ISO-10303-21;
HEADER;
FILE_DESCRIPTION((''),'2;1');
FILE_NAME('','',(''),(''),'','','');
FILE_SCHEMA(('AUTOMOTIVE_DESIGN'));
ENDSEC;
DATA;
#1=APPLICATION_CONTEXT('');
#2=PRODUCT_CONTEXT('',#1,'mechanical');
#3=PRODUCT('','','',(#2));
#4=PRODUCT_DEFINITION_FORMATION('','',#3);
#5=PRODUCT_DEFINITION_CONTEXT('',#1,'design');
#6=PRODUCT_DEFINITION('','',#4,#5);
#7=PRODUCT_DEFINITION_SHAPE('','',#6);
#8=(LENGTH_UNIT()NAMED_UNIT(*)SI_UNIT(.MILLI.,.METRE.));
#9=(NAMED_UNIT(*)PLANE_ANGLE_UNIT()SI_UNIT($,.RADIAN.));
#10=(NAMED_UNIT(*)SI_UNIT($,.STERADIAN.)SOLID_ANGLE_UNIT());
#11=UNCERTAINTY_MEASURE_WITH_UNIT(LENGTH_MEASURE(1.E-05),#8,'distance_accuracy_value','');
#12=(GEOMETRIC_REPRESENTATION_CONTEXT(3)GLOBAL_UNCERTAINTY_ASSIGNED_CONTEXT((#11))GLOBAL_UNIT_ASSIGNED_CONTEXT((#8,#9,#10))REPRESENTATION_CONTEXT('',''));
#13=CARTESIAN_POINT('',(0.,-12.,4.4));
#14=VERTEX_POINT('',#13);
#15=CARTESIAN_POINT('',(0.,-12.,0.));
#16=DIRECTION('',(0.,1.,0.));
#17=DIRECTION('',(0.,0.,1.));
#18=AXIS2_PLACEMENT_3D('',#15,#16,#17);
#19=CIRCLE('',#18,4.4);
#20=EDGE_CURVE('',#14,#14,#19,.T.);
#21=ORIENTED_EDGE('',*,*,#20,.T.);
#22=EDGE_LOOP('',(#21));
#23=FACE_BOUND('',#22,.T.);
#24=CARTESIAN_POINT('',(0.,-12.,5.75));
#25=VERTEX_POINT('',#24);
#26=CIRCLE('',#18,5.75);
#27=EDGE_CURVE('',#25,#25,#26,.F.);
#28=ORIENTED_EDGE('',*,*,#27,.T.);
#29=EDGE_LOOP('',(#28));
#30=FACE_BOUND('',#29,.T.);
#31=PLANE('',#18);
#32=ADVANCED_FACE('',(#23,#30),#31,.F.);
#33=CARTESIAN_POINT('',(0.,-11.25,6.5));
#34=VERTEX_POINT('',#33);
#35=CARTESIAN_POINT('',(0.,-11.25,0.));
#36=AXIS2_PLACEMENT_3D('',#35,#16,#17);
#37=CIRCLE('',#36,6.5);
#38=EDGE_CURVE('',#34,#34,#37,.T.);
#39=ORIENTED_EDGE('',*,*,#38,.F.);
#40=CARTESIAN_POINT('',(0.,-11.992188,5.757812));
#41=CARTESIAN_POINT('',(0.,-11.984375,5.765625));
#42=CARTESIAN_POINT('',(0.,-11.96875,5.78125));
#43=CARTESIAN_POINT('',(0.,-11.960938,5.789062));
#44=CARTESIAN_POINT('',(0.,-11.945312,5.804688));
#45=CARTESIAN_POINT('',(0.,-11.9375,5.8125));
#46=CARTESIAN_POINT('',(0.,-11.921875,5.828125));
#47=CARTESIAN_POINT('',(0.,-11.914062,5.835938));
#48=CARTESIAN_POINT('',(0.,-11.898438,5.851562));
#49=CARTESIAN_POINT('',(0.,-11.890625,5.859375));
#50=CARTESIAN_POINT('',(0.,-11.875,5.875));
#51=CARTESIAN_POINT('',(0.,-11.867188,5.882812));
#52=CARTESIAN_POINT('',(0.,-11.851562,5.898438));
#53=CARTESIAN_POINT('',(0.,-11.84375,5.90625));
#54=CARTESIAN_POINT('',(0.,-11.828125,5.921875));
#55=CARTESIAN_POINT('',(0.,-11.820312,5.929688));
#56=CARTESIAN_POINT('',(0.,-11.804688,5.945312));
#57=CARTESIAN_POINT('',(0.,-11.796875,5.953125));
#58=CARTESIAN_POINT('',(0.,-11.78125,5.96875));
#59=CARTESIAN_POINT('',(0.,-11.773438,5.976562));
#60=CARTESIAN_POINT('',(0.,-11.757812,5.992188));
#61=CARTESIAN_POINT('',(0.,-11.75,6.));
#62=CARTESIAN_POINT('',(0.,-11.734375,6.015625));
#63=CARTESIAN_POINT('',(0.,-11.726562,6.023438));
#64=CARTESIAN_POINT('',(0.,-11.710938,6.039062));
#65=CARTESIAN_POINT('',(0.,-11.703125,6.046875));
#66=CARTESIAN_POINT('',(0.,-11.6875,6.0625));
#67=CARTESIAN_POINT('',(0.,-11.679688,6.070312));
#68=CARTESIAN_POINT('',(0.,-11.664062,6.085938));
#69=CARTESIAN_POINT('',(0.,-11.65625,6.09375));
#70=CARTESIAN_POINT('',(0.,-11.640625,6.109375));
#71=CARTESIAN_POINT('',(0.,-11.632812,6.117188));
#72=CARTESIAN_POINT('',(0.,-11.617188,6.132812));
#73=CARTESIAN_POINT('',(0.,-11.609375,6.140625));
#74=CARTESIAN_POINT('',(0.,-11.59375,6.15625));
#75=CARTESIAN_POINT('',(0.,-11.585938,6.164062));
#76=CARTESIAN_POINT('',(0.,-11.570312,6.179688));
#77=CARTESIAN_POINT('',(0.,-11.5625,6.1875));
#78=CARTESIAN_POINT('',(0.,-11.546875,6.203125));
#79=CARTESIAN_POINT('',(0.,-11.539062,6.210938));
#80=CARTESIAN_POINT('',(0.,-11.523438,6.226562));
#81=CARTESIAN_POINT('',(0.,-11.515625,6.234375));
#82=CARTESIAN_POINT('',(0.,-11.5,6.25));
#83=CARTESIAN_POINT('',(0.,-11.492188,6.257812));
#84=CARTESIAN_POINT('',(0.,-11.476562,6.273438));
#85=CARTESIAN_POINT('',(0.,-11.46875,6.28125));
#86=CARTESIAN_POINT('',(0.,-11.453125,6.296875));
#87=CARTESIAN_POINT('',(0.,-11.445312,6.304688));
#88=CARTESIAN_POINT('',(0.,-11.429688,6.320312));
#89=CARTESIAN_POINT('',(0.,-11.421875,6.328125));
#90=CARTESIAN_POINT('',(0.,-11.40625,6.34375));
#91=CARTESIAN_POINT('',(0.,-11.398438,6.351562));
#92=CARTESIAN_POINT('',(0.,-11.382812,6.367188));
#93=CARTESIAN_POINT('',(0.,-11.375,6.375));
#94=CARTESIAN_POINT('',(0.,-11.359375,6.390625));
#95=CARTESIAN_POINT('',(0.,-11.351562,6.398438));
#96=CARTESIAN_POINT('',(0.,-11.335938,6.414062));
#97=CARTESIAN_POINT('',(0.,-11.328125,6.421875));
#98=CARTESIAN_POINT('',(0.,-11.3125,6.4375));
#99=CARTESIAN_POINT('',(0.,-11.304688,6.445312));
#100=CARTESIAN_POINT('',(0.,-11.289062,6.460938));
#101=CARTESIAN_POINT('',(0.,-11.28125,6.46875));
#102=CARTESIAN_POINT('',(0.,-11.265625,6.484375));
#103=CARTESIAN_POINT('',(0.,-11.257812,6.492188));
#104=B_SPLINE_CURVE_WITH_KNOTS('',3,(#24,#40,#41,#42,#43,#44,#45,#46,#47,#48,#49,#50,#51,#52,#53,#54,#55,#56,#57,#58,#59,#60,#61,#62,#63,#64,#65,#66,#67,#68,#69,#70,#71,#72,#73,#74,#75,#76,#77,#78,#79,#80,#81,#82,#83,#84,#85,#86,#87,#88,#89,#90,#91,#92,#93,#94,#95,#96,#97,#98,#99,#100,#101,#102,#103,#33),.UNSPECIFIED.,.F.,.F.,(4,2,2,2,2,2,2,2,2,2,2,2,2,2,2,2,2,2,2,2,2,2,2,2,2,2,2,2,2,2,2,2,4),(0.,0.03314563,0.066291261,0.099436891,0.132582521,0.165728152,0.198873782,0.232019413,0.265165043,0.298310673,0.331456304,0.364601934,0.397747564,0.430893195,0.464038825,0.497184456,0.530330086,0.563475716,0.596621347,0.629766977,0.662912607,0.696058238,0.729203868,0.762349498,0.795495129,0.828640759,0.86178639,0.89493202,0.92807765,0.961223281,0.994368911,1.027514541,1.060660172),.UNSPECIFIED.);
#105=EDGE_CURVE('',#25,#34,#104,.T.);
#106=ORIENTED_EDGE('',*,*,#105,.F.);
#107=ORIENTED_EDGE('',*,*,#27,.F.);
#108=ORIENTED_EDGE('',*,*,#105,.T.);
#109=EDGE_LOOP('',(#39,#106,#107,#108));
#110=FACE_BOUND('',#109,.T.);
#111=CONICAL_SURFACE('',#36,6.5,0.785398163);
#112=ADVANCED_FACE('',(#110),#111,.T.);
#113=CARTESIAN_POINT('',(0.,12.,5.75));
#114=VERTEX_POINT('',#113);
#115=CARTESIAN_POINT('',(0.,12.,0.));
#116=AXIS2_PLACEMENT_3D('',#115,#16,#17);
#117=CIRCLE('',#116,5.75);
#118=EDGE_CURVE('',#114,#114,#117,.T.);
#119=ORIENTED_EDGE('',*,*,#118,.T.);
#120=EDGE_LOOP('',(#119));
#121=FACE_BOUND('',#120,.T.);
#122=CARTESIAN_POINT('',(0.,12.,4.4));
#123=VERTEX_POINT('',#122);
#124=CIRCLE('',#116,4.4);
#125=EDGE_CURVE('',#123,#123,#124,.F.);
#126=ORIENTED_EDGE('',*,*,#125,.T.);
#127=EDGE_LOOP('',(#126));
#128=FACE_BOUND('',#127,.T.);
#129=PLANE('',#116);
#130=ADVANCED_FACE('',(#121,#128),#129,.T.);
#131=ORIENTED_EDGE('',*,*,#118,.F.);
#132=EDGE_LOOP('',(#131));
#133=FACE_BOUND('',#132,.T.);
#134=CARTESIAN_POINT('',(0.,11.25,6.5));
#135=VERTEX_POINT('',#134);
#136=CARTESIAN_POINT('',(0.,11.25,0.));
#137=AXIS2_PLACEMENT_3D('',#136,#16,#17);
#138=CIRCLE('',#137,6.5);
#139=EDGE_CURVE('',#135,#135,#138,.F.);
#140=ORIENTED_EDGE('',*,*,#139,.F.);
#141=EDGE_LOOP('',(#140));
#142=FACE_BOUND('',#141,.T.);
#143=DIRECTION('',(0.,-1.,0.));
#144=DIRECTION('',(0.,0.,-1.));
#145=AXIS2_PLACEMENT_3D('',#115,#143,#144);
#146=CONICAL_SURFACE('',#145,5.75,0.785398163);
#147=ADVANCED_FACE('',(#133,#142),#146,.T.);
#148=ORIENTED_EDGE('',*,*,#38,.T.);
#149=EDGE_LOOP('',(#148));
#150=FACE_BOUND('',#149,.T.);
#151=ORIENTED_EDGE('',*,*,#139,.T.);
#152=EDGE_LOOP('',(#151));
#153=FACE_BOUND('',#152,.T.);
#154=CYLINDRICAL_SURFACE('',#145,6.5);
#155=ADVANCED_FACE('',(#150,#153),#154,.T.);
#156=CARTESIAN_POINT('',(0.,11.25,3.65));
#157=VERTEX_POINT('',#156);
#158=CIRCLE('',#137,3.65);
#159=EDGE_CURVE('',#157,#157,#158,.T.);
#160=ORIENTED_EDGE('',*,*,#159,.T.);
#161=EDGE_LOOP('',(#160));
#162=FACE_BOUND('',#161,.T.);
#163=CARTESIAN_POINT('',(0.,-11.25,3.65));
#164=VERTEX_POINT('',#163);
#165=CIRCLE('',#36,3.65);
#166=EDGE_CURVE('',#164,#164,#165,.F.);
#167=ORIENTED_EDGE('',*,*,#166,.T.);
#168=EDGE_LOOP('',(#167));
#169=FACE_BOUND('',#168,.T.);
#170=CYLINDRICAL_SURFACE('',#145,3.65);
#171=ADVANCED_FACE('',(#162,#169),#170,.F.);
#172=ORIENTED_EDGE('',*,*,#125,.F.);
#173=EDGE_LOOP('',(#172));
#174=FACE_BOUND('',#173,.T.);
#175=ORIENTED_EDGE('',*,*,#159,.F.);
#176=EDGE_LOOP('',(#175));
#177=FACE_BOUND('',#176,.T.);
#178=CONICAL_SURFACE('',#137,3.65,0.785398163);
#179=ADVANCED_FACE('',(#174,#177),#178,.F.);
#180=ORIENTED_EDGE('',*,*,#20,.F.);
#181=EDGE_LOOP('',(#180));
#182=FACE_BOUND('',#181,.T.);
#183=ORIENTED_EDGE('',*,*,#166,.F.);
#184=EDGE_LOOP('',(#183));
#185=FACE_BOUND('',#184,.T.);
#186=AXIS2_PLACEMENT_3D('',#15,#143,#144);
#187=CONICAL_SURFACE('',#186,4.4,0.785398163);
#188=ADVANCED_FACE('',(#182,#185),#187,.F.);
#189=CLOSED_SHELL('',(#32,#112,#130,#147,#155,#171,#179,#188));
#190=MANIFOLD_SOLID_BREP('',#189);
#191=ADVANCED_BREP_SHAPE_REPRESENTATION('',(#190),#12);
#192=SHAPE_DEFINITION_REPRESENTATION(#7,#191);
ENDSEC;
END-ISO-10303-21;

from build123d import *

# Parameters (mm, degrees)
CROQUIS1_R              = 6.5
CROQUIS1_R_2            = 3.65
SALIENTE_EXTRUIR1_DEPTH = 12
CHAFL_N1_SIZE           = 0.75


with BuildPart() as part:
    # Croquis1 → Saliente-Extruir1 (new, symmetric)
    with BuildSketch(Plane(origin=(0, 0, 0), x_dir=(1, 0, 0), z_dir=(0, 1, 0))):
        with Locations(Location((0, 0, 0), (0, 0, 270))):
            Circle(CROQUIS1_R)
        with Locations(Location((0, 0, 0), (0, 0, 270))):
            Circle(CROQUIS1_R_2, mode=Mode.SUBTRACT)
    extrude(amount=SALIENTE_EXTRUIR1_DEPTH, both=True)

    # Chaflán1
    chafl_n1_edges = [part.edges().sort_by_distance(p)[0] for p in [
        (0, -12, -6.5),
        (0, 12, -6.5),
        (0, -12, -3.65),
        (0, 12, -3.65),
    ]]
    chamfer(chafl_n1_edges, length=CHAFL_N1_SIZE)


solid = part.part
